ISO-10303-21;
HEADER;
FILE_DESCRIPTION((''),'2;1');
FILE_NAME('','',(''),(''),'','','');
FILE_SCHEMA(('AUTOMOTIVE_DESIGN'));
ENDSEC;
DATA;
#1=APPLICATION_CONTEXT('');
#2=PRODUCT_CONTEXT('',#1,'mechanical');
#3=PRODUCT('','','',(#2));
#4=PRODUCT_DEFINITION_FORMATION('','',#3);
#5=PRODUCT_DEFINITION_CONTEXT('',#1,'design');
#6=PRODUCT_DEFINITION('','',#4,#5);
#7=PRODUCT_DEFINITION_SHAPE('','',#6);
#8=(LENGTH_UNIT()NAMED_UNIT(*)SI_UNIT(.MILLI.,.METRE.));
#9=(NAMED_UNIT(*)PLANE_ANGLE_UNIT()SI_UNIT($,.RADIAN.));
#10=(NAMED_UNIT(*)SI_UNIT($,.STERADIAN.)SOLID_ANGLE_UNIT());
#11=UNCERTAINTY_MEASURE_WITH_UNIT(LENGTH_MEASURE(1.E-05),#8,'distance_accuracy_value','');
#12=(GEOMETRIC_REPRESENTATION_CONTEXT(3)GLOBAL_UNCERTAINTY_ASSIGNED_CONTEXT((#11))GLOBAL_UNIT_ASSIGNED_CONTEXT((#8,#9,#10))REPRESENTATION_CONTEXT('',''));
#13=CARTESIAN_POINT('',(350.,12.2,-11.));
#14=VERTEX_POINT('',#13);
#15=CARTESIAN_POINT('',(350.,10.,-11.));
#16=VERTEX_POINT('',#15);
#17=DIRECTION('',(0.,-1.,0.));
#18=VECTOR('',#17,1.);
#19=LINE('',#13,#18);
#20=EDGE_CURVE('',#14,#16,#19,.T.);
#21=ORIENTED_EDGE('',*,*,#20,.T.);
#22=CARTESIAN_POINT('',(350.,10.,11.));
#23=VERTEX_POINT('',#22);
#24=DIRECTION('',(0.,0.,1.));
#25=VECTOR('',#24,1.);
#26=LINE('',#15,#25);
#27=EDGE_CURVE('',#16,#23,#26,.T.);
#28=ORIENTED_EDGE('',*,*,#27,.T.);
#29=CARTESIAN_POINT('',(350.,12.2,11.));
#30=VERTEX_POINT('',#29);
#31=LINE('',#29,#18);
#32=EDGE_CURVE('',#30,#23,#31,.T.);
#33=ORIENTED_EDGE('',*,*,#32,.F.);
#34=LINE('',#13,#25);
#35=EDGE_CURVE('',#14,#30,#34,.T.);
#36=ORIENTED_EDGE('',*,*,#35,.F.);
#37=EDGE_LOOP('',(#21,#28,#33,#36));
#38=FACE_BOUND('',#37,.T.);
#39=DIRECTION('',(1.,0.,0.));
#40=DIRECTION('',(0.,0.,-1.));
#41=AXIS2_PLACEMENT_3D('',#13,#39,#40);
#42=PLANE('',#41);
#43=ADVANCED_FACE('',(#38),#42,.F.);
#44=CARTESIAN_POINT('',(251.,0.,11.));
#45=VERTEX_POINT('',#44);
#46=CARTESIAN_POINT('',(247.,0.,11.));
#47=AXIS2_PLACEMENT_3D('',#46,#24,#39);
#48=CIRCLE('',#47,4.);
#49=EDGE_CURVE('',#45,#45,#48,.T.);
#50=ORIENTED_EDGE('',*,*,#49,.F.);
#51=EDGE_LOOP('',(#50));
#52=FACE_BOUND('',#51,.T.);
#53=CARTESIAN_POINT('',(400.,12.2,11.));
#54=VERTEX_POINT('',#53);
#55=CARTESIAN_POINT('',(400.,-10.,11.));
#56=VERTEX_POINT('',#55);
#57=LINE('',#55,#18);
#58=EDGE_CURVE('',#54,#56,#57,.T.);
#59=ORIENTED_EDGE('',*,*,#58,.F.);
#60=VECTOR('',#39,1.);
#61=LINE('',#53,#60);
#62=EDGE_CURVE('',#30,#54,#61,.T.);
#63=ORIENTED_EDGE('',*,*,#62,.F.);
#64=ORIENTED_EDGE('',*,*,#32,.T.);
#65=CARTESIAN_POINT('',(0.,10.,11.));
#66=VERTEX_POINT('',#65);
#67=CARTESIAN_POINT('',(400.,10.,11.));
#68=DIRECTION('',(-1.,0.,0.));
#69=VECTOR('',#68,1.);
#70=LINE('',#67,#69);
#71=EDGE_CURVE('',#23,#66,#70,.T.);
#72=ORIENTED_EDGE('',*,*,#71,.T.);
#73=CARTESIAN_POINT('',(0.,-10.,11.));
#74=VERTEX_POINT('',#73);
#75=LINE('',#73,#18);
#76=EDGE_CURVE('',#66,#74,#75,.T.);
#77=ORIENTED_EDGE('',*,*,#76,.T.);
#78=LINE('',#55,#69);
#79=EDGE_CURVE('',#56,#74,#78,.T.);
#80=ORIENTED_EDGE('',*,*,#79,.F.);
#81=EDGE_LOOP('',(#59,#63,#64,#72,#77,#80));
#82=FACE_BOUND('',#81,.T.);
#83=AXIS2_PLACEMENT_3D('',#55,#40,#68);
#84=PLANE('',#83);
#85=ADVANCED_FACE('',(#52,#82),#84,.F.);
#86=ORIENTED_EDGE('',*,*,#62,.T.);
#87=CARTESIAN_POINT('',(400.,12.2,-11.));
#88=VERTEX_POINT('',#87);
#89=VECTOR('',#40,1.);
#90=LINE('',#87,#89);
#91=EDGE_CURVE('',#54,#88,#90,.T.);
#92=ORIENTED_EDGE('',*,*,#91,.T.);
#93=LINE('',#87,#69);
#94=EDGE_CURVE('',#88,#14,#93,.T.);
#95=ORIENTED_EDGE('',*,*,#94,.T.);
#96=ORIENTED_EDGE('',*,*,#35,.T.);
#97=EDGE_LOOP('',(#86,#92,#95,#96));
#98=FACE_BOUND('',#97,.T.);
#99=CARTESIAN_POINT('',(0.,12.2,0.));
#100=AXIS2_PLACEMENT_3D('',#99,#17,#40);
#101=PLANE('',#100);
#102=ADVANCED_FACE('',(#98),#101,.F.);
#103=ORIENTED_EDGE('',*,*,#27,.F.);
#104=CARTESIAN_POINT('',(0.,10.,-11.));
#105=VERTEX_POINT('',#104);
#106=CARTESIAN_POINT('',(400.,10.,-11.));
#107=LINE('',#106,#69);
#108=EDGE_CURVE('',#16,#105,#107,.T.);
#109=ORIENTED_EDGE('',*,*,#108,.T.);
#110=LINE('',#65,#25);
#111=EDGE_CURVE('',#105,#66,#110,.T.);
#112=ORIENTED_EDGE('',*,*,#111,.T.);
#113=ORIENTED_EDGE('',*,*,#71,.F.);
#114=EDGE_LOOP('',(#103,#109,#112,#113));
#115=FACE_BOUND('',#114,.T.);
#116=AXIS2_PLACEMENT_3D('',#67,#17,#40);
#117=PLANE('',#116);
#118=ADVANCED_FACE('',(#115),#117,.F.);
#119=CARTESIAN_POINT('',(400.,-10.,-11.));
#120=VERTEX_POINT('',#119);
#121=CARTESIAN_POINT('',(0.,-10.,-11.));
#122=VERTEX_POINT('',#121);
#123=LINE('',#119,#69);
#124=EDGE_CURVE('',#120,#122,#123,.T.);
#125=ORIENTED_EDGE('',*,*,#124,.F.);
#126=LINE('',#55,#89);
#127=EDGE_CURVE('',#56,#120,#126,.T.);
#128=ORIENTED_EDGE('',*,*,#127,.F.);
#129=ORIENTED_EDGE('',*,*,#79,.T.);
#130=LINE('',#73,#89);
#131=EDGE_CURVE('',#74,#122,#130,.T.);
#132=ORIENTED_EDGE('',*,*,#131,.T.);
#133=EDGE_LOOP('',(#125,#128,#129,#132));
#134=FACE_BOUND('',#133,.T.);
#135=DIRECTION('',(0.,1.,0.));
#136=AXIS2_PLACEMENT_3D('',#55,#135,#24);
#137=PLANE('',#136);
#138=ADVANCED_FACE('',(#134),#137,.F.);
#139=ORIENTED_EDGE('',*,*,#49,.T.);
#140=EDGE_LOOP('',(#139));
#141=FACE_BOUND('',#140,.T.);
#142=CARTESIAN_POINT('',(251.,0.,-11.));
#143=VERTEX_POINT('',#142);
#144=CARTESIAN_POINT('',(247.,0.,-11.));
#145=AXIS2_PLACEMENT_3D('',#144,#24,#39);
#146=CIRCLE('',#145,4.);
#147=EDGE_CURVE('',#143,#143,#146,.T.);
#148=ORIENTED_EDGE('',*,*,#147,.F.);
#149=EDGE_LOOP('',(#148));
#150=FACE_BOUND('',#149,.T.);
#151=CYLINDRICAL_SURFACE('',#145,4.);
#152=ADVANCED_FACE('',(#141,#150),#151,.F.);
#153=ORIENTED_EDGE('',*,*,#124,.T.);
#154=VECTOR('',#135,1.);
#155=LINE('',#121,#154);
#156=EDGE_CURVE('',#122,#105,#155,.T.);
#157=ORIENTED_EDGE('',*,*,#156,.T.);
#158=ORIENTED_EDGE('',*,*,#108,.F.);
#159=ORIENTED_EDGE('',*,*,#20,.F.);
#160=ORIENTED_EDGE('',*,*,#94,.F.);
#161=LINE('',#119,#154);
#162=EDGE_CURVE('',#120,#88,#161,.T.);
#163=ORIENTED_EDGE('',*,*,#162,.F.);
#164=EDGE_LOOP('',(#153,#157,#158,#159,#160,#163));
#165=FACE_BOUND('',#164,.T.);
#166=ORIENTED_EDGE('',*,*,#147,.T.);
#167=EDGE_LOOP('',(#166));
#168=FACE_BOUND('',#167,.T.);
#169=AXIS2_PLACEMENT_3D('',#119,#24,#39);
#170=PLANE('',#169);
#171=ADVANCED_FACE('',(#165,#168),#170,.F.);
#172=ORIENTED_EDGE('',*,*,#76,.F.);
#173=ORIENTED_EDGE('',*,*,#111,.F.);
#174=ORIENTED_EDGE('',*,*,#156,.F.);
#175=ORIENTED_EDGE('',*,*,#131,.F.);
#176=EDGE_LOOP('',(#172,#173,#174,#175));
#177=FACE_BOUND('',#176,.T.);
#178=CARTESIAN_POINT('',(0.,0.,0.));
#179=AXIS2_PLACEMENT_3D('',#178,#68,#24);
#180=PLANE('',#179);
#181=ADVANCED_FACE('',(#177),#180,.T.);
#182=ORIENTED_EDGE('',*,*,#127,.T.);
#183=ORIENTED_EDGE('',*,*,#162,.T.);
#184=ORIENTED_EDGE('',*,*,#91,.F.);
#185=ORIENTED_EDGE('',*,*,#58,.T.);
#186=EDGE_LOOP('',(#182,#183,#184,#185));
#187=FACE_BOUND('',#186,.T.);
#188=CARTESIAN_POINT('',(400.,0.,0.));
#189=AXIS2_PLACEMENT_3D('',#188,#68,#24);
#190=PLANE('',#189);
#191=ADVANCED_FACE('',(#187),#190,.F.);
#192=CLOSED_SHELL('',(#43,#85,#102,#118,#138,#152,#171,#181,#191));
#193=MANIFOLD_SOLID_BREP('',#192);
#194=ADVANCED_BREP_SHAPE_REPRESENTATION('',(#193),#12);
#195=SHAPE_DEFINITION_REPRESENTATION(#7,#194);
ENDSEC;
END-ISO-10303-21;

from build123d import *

# Parameters (mm, degrees)
SKETCH1_W           = 22
SKETCH1_H           = 20
BOSS_EXTRUDE1_DEPTH = 400
SKETCH2_R           = 4
CUT_EXTRUDE1_DEPTH  = 23
SKETCH3_W           = 50
SKETCH3_H           = 22
BOSS_EXTRUDE2_DEPTH = 2.2


with BuildPart() as part:
    # Sketch1 → Boss-Extrude1 (new body)
    with BuildSketch(Plane(origin=(0, 0, 0), x_dir=(0, 0, -1), z_dir=(1, 0, 0))):
        Rectangle(SKETCH1_W, SKETCH1_H)
    extrude(amount=BOSS_EXTRUDE1_DEPTH)

    # Sketch2 → Cut-Extrude1 (cut, through all)
    with BuildSketch(Plane.XY.offset(11)):
        with Locations((247, 0)):
            Circle(SKETCH2_R)
    extrude(amount=-CUT_EXTRUDE1_DEPTH, mode=Mode.SUBTRACT)

    # Sketch3 → Boss-Extrude2 (add)
    with BuildSketch(Plane(origin=(0, 10, 0), x_dir=(1, 0, 0), z_dir=(0, 1, 0))):
        with Locations((375, 0)):
            Rectangle(SKETCH3_W, SKETCH3_H)
    extrude(amount=BOSS_EXTRUDE2_DEPTH)


solid = part.part
